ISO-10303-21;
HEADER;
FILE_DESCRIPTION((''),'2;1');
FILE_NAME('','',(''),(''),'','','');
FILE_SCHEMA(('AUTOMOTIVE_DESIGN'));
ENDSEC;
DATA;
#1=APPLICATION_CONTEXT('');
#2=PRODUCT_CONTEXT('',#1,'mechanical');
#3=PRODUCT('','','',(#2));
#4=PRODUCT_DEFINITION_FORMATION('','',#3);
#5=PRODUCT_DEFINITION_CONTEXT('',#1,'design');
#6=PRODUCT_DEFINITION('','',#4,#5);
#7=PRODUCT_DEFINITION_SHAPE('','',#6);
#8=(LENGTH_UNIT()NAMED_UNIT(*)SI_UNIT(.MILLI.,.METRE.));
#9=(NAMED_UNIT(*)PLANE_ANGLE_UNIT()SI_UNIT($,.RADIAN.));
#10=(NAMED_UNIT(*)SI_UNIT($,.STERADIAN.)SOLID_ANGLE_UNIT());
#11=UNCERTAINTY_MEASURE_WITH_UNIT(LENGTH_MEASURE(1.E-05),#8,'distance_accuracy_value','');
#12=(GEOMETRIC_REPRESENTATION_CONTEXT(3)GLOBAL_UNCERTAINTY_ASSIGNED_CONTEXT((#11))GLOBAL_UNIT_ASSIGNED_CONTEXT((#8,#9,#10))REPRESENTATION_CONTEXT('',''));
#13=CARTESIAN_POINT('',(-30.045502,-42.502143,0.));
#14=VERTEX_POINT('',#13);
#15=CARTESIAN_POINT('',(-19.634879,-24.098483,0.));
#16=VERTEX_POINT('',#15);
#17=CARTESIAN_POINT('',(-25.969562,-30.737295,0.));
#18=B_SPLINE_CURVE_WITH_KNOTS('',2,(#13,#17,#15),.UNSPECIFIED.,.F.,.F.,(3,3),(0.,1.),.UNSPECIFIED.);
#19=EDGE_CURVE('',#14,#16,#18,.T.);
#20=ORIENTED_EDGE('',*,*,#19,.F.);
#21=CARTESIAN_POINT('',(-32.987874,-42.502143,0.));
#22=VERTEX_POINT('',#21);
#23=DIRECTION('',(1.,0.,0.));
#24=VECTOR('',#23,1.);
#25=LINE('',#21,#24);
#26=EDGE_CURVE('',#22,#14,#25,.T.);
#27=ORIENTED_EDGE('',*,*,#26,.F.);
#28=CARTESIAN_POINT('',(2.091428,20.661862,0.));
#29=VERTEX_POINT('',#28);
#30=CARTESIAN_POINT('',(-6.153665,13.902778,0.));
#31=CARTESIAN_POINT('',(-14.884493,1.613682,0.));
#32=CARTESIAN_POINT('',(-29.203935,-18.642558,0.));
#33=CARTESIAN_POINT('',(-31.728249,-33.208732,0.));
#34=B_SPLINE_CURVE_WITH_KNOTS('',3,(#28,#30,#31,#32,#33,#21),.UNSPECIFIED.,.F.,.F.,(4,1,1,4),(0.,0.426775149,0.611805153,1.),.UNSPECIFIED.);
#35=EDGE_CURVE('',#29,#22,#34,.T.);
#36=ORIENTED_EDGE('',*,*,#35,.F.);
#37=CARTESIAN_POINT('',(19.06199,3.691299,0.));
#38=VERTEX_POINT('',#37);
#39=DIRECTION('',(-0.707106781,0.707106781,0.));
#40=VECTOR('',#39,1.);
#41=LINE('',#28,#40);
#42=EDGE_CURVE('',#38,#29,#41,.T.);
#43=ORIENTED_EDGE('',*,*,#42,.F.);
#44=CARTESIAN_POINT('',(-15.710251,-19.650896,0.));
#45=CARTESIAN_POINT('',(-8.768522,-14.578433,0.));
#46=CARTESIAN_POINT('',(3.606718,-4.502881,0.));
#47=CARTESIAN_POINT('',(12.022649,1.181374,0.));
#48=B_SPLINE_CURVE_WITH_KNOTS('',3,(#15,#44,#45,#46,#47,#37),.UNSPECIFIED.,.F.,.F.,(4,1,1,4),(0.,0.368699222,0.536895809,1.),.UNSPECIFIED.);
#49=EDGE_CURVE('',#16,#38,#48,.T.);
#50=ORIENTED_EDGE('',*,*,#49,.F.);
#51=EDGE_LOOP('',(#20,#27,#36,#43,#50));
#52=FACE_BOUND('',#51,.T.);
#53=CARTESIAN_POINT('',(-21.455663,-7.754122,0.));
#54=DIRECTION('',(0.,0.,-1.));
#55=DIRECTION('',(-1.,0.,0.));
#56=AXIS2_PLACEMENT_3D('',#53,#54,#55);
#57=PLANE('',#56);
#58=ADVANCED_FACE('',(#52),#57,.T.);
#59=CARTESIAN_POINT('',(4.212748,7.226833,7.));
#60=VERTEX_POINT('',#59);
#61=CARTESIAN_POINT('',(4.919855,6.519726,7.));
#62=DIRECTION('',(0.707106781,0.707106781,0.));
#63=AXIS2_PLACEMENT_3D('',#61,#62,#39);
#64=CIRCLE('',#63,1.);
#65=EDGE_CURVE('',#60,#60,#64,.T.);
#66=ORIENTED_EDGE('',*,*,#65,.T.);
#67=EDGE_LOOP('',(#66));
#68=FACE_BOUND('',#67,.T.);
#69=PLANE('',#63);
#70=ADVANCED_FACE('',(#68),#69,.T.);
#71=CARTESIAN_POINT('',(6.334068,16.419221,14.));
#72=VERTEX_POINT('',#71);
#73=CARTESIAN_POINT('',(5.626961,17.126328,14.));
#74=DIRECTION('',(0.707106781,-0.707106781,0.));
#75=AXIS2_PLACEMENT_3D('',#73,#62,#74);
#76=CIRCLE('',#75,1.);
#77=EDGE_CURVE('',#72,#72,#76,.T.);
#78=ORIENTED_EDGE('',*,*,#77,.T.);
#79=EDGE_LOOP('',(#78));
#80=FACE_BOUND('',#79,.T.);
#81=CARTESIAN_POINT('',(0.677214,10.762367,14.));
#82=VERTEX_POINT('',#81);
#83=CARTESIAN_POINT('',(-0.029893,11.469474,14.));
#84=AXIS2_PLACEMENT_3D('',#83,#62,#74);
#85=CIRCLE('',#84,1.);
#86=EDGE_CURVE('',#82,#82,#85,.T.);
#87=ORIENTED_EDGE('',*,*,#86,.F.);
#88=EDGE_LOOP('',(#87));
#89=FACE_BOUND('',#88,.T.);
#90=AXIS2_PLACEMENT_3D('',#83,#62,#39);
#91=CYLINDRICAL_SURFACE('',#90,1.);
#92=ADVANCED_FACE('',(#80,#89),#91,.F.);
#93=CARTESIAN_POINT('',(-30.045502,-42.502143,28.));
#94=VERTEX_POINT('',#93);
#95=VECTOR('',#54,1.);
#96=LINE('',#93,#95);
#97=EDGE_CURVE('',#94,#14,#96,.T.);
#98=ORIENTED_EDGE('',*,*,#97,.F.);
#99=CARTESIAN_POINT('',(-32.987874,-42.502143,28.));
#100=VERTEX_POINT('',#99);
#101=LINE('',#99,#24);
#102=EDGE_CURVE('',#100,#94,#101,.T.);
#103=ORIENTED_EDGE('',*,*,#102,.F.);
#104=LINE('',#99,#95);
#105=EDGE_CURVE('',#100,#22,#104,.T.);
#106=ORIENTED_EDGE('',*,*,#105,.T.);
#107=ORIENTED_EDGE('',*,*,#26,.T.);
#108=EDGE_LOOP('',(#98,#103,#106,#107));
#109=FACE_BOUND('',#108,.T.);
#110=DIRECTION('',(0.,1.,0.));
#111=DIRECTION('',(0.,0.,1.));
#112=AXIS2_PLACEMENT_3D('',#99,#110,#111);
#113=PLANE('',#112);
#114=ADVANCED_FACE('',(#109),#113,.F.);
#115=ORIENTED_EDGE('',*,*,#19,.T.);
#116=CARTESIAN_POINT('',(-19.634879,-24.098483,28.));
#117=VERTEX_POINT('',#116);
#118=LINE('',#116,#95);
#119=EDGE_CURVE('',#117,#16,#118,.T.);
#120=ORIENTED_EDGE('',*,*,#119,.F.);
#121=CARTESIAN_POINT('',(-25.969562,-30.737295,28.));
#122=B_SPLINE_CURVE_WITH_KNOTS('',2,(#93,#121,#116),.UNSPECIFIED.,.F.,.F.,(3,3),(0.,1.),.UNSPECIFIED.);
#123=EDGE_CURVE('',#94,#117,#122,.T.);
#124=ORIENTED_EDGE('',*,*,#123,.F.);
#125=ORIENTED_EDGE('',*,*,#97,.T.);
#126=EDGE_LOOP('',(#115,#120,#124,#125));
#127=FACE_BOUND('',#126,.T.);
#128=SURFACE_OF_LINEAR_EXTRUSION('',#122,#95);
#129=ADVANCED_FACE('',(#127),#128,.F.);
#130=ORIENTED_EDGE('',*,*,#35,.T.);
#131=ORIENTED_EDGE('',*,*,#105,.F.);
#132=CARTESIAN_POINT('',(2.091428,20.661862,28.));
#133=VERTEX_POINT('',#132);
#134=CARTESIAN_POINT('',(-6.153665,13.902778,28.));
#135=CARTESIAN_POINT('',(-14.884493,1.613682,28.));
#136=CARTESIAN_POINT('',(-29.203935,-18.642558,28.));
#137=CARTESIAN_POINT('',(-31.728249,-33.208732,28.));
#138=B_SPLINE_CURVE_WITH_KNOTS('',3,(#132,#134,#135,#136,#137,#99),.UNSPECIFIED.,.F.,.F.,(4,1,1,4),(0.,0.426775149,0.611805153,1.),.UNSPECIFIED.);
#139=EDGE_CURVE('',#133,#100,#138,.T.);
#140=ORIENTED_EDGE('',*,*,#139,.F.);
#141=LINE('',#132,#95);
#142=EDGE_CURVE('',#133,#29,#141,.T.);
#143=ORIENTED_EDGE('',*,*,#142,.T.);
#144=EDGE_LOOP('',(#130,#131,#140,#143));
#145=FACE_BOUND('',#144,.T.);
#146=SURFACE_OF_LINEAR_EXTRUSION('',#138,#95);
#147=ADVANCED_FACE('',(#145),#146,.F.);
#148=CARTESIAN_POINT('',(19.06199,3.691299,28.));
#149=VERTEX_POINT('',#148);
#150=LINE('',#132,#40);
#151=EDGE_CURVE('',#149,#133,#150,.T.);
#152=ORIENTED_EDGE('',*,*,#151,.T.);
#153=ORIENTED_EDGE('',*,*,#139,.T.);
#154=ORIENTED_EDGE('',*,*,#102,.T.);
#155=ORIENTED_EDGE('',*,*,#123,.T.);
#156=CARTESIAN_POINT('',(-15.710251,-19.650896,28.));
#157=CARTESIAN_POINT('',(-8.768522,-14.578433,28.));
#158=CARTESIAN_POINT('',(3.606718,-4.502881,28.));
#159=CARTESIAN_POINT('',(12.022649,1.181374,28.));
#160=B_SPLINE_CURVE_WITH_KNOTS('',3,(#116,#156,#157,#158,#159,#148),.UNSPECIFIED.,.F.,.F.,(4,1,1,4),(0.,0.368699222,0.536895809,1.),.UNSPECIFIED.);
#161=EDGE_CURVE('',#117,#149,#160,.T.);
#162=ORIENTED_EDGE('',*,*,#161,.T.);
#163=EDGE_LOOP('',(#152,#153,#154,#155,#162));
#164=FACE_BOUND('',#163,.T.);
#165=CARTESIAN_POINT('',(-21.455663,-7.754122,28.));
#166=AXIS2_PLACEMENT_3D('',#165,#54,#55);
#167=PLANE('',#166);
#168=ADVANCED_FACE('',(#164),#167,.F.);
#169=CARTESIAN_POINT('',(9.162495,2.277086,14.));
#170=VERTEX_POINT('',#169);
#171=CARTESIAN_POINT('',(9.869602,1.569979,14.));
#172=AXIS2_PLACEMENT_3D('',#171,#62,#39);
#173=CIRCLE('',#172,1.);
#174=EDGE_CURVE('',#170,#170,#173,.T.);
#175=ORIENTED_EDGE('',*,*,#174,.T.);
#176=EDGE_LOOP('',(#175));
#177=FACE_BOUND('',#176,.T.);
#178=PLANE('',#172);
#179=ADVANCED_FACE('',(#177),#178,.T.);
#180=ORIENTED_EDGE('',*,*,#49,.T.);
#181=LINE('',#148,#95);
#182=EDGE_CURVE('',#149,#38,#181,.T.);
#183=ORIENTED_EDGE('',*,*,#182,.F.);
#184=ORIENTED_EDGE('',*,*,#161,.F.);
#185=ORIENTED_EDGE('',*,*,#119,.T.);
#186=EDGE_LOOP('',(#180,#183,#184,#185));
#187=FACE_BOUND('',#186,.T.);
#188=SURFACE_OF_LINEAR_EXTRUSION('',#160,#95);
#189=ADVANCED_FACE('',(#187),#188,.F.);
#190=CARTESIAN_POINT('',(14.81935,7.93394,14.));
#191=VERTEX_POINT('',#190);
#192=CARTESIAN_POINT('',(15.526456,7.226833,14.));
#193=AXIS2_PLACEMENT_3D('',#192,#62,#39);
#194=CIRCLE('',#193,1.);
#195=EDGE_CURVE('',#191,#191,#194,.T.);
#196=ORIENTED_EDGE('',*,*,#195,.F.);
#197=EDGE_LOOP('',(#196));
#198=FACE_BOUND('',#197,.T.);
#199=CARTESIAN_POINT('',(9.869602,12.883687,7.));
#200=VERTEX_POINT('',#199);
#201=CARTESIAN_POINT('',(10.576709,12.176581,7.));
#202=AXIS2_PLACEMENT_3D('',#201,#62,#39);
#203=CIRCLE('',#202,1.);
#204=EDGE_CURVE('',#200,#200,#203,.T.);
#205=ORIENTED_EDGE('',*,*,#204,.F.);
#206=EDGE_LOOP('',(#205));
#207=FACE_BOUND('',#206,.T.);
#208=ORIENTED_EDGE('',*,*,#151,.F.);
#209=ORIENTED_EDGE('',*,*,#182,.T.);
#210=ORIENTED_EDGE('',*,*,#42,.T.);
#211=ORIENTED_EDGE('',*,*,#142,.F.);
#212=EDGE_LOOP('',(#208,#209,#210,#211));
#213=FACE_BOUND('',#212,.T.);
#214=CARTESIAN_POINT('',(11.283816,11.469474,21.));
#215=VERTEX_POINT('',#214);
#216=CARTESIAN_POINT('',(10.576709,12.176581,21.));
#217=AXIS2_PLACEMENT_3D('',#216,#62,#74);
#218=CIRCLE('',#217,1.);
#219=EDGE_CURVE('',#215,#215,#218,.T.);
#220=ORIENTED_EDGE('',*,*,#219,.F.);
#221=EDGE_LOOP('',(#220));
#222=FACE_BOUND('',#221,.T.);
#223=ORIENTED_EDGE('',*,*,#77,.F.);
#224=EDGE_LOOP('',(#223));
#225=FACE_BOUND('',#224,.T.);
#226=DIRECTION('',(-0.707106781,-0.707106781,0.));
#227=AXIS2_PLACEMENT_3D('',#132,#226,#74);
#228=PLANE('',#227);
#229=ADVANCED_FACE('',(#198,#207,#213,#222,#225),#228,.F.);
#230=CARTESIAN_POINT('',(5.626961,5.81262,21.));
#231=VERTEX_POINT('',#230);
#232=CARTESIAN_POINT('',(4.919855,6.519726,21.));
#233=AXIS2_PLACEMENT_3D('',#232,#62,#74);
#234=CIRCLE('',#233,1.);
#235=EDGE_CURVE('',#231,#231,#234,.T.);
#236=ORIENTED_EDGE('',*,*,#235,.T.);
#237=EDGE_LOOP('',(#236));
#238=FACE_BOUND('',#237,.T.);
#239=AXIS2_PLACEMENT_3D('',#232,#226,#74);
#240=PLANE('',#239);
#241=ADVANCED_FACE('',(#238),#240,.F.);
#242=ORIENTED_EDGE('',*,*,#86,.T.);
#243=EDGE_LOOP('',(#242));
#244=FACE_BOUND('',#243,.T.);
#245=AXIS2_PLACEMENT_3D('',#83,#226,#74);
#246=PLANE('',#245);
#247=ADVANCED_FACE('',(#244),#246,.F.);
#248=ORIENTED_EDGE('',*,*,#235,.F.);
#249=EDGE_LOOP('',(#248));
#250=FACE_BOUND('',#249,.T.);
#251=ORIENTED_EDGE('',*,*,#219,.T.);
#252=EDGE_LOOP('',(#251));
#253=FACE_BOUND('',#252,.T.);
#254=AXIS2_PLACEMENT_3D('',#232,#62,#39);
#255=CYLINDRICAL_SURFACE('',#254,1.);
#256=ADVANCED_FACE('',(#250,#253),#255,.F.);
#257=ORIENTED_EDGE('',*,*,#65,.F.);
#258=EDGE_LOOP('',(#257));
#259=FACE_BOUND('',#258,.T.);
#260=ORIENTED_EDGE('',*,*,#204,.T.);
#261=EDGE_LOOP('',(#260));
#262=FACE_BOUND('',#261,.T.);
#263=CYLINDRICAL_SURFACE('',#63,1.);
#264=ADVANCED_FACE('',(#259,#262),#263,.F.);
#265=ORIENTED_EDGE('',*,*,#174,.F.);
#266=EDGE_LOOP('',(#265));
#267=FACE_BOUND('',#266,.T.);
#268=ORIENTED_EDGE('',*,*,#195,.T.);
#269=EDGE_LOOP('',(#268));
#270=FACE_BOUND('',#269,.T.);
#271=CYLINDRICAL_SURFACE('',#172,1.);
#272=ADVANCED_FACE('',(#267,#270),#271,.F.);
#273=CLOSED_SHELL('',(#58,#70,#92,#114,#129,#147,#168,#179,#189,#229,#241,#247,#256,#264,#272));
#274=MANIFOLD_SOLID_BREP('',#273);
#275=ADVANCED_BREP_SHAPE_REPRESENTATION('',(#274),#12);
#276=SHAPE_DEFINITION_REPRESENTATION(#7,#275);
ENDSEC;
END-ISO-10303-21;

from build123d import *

# Parameters (mm, degrees)
BOSS_EXTRUDE1_DEPTH = 28
SKETCH2_R           = 1
CUT_EXTRUDE1_DEPTH  = 8


with BuildPart() as part:
    # Sketch1 → Boss-Extrude1 (new body)
    with BuildSketch(Plane.XY):
        with BuildLine():
            Line((2.091427576, 20.661862086), (19.061990324, 3.691299338))
            add(Edge.make_bspline(
                [(19.061990324, 3.691299338), (12.022648732, 1.181374363), (3.606718166, -4.502881384), (-8.768521596, -14.578433411), (-15.710250584, -19.650895957), (-19.63487909, -24.098483284)],
                knots=[0, 0, 0, 0, 0.463104191, 0.631300778, 1, 1, 1, 1], degree=3))
            add(Edge.make_bspline(
                [(-19.63487909, -24.098483284), (-25.969562098, -30.737294566), (-30.045502317, -42.502143037)],
                knots=[0, 0, 0, 1, 1, 1], degree=2))
            Line((-30.045502317, -42.502143037), (-32.987873718, -42.502143037))
            add(Edge.make_bspline(
                [(2.091427576, 20.661862086), (-6.153665282, 13.902778077), (-14.884492863, 1.613682443), (-29.203935151, -18.642558282), (-31.728248971, -33.20873178), (-32.987873718, -42.502143037)],
                knots=[0, 0, 0, 0, 0.426775149, 0.611805153, 1, 1, 1, 1], degree=3))
        make_face()
    extrude(amount=BOSS_EXTRUDE1_DEPTH)

    # Sketch2 → Cut-Extrude1 (cut)
    with BuildSketch(Plane(origin=(11.376644831, 11.376644831, 0), x_dir=(0, 0, -1), z_dir=(0.7071067811865388, 0.7071067811865562, 0))):
        with Locations(Location((-7, 1.131280172, 0), (0, 0, 90))):
            Circle(SKETCH2_R)
        with Locations(Location((-14, 8.131280172, 0), (0, 0, 270))):
            Circle(SKETCH2_R)
        with Locations(Location((-14, -5.868719828, 0), (0, 0, 90))):
            Circle(SKETCH2_R)
        with Locations(Location((-21, 1.131280172, 0), (0, 0, 270))):
            Circle(SKETCH2_R)
    extrude(amount=-CUT_EXTRUDE1_DEPTH, mode=Mode.SUBTRACT)


solid = part.part
